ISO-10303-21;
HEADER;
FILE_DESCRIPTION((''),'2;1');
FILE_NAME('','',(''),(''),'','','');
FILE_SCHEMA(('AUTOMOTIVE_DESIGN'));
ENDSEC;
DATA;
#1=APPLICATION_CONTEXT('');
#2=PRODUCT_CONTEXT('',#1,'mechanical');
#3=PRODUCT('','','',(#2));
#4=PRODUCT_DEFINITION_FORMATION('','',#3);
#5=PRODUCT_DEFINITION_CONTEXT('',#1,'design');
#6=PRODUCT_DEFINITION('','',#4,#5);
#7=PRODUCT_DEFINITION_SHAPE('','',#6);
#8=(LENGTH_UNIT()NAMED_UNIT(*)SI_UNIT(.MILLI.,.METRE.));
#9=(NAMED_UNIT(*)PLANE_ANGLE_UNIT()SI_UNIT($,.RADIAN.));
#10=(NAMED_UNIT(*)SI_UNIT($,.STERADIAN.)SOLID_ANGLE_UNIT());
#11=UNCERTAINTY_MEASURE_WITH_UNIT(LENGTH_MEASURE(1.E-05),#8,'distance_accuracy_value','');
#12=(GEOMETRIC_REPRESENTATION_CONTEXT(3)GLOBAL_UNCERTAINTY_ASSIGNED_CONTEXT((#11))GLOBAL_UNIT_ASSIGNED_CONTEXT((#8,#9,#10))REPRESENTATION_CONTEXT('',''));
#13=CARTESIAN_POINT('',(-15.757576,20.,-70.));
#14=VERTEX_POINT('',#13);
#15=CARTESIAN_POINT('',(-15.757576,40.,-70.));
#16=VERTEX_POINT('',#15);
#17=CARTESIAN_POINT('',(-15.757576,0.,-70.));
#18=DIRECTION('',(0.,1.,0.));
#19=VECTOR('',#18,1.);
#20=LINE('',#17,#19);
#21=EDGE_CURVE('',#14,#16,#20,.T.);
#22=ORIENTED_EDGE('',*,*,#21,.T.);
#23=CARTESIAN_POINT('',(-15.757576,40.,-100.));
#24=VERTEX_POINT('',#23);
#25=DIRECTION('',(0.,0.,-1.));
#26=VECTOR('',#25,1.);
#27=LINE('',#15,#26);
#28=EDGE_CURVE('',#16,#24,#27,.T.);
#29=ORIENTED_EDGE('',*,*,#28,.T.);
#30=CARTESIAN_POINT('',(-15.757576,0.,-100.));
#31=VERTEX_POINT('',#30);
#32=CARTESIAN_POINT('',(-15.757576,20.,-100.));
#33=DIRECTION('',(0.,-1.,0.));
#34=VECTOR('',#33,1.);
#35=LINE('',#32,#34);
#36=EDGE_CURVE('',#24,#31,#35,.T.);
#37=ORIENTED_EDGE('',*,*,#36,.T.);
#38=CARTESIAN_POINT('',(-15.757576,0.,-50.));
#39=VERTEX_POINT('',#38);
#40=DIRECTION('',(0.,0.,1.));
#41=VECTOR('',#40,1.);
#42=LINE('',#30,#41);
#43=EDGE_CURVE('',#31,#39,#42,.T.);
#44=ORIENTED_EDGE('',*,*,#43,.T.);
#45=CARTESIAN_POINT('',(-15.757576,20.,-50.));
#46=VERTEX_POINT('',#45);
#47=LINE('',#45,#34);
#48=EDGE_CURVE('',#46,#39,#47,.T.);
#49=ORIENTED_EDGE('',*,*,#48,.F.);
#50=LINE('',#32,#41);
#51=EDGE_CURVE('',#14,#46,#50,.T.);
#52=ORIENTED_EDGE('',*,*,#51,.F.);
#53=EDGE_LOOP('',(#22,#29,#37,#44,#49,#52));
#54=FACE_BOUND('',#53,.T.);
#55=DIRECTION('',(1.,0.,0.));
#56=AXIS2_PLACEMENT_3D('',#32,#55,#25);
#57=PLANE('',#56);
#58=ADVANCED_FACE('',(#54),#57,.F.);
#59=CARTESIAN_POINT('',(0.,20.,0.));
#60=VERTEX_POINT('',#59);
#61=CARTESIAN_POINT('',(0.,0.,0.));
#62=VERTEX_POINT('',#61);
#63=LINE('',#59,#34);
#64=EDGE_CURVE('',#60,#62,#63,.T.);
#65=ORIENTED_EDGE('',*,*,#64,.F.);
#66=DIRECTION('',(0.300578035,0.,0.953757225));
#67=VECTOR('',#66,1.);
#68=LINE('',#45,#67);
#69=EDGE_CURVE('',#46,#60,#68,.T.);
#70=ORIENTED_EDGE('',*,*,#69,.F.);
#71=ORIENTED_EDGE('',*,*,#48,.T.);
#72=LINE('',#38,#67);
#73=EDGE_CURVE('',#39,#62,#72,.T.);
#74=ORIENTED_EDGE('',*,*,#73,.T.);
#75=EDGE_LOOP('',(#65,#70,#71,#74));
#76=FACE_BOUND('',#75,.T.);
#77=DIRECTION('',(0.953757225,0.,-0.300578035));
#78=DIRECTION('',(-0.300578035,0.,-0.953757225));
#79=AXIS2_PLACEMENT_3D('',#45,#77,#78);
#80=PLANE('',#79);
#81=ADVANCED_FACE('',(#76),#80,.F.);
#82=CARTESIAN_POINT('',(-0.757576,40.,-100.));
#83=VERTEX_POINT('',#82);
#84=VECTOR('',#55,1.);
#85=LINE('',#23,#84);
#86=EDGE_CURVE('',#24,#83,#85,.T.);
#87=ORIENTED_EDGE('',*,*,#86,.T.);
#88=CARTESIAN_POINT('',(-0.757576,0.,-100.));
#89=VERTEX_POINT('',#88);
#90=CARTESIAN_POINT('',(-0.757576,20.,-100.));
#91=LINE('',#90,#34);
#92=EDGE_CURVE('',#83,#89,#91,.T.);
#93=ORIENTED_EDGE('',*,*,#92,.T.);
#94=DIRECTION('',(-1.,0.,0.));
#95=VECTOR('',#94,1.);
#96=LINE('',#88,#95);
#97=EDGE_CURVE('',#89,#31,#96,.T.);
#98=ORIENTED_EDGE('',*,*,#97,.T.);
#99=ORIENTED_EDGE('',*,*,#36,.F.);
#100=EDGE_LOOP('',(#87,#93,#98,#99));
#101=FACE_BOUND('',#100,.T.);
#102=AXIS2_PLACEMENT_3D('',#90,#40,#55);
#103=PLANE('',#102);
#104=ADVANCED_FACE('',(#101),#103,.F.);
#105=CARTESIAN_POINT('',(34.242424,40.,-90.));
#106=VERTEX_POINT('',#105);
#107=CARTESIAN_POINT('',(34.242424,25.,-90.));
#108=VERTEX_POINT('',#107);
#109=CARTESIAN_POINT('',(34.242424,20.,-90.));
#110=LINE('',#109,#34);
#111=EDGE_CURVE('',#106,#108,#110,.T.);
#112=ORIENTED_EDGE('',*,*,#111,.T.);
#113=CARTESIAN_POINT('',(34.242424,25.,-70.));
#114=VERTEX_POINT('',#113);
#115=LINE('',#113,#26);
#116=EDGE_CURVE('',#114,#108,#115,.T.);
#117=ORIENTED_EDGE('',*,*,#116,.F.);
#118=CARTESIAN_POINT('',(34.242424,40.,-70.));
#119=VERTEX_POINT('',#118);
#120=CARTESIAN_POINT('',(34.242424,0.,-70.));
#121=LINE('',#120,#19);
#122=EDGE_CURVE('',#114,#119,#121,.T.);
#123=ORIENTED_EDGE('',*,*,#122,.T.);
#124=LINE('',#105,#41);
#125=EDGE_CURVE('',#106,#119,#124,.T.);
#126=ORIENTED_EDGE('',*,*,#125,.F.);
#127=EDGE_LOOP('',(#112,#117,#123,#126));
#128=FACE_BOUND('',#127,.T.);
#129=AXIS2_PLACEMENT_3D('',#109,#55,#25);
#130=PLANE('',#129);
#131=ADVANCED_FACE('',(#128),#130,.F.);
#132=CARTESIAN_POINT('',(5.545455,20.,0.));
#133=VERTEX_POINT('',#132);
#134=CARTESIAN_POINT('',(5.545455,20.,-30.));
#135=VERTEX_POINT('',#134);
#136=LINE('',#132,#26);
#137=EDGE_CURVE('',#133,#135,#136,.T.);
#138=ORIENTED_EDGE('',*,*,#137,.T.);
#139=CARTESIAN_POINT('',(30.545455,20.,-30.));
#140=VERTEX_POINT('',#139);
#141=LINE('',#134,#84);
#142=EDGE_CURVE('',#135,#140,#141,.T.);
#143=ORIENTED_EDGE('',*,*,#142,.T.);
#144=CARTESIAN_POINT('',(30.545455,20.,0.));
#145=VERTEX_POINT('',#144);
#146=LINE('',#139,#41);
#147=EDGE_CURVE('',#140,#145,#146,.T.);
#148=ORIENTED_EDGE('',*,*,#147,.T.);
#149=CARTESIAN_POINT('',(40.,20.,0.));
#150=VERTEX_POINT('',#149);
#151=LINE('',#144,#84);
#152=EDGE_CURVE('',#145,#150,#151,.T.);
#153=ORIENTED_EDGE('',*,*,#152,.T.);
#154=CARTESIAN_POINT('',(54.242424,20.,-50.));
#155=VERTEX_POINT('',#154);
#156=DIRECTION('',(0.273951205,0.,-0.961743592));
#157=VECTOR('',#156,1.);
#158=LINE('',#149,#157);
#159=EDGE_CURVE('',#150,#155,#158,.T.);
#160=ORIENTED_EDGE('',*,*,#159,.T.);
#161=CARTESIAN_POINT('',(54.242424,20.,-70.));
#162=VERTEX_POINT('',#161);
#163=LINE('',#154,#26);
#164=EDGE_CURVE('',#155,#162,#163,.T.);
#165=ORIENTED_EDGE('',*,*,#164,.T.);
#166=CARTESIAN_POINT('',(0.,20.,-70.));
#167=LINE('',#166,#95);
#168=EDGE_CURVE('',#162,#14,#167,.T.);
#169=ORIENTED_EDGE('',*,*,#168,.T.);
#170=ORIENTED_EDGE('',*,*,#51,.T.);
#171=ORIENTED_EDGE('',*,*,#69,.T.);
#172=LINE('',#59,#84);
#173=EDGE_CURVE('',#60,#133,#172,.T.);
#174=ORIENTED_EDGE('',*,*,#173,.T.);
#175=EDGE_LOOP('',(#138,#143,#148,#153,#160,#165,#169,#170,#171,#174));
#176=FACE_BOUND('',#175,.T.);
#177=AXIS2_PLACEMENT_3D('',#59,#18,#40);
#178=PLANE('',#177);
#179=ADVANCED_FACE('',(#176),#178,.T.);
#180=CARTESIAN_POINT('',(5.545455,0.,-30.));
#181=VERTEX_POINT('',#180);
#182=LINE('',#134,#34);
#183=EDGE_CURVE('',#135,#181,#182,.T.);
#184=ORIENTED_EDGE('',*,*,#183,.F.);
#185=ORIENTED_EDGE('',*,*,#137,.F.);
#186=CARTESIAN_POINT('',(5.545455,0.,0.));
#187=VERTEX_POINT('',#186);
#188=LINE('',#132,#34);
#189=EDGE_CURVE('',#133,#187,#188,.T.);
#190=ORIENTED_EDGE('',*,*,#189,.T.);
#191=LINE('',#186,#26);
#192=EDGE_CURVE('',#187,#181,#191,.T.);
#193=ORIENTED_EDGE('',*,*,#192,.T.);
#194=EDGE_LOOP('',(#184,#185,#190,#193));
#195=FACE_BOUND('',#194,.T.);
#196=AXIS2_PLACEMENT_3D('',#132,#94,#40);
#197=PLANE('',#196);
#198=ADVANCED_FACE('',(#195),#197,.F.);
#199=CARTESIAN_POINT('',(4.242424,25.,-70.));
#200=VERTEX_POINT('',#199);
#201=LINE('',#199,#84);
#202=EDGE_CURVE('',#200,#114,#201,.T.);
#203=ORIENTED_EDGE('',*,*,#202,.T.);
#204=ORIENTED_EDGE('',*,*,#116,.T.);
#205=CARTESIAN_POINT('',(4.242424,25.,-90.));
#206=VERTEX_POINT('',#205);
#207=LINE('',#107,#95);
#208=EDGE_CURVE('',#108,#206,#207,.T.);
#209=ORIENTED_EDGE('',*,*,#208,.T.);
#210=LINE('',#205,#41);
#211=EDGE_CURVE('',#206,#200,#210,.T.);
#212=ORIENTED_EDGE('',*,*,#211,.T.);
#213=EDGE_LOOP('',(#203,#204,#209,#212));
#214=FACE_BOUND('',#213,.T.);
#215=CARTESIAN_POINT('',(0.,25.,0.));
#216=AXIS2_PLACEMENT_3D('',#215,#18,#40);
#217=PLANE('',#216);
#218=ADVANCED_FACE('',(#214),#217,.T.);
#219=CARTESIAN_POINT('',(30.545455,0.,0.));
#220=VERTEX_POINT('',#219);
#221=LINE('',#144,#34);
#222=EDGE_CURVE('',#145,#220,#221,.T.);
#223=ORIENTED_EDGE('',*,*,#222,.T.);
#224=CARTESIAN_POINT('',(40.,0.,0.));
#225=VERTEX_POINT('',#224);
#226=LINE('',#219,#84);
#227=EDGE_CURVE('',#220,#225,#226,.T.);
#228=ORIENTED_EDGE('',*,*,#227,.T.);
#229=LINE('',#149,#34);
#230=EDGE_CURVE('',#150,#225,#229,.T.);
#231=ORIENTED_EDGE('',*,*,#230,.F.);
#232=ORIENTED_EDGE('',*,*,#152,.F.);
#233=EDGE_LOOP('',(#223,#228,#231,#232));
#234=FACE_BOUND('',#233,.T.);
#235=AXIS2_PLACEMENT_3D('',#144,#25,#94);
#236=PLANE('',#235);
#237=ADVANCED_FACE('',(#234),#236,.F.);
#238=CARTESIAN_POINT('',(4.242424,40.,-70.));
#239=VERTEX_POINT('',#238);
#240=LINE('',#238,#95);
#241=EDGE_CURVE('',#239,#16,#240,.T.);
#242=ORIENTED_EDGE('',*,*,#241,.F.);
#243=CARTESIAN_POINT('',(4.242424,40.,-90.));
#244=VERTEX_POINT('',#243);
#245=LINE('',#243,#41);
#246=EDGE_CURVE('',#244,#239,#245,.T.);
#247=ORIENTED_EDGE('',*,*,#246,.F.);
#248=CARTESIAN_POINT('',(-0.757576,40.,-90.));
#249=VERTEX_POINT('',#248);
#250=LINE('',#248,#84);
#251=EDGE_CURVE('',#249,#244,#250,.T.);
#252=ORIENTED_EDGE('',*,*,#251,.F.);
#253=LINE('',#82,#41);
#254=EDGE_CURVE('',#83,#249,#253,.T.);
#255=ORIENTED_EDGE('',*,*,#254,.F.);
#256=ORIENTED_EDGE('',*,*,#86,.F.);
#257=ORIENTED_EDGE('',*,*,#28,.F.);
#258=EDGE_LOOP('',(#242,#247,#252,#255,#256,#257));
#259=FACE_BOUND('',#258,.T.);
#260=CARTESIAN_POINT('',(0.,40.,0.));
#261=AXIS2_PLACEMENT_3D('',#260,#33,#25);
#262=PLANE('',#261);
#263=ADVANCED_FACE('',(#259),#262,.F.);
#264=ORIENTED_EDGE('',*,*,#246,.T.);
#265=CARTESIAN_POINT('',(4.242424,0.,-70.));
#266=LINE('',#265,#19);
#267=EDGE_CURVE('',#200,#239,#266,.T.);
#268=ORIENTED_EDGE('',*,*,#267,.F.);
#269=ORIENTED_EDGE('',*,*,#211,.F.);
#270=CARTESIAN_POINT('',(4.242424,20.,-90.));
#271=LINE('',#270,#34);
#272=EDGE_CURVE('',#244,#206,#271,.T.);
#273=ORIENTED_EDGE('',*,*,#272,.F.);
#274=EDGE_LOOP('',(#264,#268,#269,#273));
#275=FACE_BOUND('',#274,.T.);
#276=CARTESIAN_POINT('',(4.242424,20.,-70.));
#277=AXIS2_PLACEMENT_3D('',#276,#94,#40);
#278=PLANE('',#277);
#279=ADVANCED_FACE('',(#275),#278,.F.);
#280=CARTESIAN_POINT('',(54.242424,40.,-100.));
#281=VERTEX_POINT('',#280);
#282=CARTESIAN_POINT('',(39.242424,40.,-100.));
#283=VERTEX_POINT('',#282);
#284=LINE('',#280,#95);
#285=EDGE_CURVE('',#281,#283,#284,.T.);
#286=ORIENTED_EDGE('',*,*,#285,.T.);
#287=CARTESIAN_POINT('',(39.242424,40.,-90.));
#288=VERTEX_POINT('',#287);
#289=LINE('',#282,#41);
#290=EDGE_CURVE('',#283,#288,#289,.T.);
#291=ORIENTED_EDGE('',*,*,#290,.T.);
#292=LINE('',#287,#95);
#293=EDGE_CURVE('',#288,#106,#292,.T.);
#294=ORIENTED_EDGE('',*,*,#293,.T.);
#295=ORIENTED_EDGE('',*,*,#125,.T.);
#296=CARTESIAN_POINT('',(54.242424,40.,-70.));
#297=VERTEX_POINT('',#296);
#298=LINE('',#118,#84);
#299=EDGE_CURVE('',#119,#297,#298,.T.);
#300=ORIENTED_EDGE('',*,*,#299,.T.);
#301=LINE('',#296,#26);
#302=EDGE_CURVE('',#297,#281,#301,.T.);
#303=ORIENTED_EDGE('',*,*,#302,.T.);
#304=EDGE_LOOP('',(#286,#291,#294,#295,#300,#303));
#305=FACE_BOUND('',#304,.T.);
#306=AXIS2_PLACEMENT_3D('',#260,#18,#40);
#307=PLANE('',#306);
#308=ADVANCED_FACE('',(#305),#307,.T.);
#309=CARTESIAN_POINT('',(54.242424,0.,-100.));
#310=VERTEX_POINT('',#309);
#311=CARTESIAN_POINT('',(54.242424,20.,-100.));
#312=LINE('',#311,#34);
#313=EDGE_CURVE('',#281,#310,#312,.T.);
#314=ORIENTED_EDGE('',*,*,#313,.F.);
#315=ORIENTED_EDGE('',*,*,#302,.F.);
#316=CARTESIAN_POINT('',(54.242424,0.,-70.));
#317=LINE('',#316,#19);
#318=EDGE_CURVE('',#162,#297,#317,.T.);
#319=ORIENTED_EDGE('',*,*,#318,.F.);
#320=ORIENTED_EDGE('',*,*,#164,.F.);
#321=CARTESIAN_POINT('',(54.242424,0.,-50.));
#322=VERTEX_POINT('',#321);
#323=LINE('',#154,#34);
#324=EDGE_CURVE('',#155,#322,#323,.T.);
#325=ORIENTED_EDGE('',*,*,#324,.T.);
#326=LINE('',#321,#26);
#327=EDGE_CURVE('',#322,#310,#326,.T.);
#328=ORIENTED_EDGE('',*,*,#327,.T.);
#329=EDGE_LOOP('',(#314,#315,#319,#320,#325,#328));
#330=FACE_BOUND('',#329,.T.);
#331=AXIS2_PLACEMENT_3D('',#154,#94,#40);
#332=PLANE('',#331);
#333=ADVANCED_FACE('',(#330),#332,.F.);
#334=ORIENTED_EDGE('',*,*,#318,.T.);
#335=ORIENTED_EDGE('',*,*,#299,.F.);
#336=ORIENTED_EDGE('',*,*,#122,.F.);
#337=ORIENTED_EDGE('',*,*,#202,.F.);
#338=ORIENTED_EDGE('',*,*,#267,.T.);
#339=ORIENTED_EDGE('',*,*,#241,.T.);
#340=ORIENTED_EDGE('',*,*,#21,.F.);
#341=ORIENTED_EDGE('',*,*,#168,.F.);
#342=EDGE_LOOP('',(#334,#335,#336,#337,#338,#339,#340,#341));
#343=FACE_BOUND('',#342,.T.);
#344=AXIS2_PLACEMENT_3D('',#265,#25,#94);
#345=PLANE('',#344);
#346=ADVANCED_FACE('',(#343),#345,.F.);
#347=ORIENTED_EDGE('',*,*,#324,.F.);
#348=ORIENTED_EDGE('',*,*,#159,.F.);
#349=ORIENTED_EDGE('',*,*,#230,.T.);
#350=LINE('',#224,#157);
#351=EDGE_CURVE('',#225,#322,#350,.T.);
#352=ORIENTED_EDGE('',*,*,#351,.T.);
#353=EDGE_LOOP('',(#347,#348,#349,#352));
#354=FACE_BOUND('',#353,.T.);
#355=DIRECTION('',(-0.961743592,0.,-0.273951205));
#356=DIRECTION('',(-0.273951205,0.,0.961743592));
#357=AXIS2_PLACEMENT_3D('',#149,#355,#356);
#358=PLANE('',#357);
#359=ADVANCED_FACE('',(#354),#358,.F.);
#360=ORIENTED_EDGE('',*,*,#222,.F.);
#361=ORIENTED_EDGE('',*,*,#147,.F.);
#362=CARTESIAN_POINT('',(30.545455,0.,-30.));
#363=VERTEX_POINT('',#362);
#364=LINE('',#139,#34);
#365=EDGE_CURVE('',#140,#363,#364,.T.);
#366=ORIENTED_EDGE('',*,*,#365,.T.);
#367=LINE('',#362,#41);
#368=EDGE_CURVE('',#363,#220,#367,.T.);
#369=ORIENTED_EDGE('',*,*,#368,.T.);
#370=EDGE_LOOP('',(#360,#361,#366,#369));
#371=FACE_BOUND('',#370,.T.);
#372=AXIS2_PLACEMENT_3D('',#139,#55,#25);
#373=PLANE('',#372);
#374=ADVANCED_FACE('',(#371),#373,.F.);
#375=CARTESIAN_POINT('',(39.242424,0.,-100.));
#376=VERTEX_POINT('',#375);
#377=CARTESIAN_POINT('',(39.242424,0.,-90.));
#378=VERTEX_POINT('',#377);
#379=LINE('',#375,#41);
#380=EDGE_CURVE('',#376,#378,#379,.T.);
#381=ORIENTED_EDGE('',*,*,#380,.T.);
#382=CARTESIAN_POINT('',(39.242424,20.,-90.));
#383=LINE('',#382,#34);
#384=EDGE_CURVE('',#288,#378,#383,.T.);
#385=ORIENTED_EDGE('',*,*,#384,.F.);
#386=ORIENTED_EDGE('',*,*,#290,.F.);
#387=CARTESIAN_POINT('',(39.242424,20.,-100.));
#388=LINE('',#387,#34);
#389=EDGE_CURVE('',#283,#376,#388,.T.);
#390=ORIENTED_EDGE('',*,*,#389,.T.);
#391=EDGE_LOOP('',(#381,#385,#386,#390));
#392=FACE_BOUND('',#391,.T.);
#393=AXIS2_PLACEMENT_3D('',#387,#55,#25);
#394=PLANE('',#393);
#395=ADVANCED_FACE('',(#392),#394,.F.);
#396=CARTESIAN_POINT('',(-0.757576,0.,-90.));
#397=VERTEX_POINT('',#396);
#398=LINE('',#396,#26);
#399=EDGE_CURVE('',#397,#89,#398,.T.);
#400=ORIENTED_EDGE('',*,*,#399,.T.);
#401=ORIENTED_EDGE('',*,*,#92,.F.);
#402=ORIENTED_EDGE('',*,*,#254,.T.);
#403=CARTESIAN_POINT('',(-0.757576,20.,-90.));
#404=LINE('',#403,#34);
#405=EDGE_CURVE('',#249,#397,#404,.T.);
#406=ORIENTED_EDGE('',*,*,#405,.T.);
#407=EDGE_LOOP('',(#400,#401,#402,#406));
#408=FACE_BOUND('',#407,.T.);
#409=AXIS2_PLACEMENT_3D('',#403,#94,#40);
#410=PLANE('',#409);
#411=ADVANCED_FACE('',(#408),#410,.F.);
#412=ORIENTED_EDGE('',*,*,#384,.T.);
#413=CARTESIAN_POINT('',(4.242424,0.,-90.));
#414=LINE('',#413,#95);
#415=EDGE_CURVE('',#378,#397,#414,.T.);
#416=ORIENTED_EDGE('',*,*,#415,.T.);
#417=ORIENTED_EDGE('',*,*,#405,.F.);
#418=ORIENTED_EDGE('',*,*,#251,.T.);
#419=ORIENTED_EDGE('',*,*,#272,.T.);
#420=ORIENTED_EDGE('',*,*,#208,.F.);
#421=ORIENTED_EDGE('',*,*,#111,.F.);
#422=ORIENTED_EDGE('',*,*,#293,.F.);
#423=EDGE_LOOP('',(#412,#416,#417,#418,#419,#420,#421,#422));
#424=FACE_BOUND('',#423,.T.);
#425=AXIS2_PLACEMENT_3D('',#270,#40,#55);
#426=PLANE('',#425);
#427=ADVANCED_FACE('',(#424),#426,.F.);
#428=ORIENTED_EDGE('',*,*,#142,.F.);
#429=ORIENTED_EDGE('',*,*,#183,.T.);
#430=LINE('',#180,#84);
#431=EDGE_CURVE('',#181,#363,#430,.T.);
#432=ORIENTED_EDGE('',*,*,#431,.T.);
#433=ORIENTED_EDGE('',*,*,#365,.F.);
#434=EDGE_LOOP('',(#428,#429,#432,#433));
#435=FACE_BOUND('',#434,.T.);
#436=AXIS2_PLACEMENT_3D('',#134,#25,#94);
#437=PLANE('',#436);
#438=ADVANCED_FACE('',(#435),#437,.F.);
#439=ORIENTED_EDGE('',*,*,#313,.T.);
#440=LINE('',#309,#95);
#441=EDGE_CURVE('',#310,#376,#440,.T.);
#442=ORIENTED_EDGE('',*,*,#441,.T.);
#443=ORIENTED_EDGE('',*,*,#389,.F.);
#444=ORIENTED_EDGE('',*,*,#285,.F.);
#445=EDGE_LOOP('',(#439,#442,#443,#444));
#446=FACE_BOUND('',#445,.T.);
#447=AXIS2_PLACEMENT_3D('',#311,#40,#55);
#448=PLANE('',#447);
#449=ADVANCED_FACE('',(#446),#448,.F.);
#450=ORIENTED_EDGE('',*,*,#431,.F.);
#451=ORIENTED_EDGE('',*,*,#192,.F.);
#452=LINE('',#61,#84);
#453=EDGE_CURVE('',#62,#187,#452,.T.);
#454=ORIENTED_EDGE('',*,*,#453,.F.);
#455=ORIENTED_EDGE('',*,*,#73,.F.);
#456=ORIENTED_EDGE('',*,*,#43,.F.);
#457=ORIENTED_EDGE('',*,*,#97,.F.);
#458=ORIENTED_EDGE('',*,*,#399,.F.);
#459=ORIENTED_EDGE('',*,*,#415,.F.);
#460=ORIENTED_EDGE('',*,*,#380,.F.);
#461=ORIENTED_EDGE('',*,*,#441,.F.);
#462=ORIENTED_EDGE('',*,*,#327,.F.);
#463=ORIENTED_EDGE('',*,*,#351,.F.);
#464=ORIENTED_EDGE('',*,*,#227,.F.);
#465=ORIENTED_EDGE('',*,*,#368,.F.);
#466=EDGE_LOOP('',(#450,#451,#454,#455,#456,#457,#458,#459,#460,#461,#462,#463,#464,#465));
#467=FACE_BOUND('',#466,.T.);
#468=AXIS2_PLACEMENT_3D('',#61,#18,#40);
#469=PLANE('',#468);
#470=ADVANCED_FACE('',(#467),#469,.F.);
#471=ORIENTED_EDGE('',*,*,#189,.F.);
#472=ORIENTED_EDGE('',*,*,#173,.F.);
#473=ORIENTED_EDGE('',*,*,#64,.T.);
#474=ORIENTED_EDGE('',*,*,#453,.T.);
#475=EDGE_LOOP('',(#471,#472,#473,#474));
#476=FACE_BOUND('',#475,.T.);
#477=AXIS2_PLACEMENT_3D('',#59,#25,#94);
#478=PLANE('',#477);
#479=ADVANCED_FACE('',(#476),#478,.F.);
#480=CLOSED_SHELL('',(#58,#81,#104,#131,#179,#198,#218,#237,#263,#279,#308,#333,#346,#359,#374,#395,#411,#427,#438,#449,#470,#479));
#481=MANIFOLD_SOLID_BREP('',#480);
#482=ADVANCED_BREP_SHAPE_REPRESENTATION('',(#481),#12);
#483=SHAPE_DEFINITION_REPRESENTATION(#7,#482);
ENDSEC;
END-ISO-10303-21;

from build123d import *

# Parameters (mm, degrees)
BOSS_EXTRUDE1_DEPTH      = 20
BOSS_EXTRUDE7_DEPTH      = 20
BOSS_EXTRUDE7_DEPTH_BACK = 20
SKETCH5_W                = 30
SKETCH5_H                = 20
BOSS_EXTRUDE12_DEPTH     = 20
SKETCH6_W                = 30
SKETCH6_H                = 20
BOSS_EXTRUDE13_DEPTH     = 5


with BuildPart() as part:
    # Sketch1 → Boss-Extrude1 (new body)
    with BuildSketch(Plane(origin=(0, 0, 0), x_dir=(1, 0, 0), z_dir=(0, 1, 0))):
        Polygon((0, 0), (5.545454545, 0), (5.545454545, 30), (30.545454545, 30), (30.545454545, 0), (40, 0), (54.242424242, 50), (54.242424242, 100), (39.242424242, 100), (39.242424242, 90), (34.242424242, 90), (34.242424242, 70), (4.242424242, 70), (4.242424242, 90), (-0.757575758, 90), (-0.757575758, 100), (-15.757575758, 100), (-15.757575758, 50), align=None)
    extrude(amount=BOSS_EXTRUDE1_DEPTH)

    # Sketch2 → Boss-Extrude7 (add, two sides: drawn at the far end of the back side and taken through both)
    with BuildSketch(Plane(origin=(0, 20, 0), x_dir=(1, 0, 0), z_dir=(0, 1, 0)).offset(-BOSS_EXTRUDE7_DEPTH_BACK)):
        Polygon((-15.757575758, 100), (-0.757575758, 100), (-0.757575758, 90), (4.242424242, 90), (4.242424242, 70), (-15.757575758, 70), align=None)
        Polygon((54.242424242, 100), (39.242424242, 100), (39.242424242, 90), (34.242424242, 90), (34.242424242, 70), (54.242424242, 70), align=None)
    extrude(amount=BOSS_EXTRUDE7_DEPTH + BOSS_EXTRUDE7_DEPTH_BACK)

    # Sketch5 → Boss-Extrude12 (add)
    with BuildSketch(Plane(origin=(0, 20, 0), x_dir=(1, 0, 0), z_dir=(0, 1, 0))):
        with Locations((19.242424242, 80)):
            Rectangle(SKETCH5_W, SKETCH5_H)
    extrude(amount=-BOSS_EXTRUDE12_DEPTH)

    # Sketch6 → Boss-Extrude13 (add)
    with BuildSketch(Plane(origin=(0, 20, 0), x_dir=(1, 0, 0), z_dir=(0, 1, 0))):
        with Locations((19.242424242, 80)):
            Rectangle(SKETCH6_W, SKETCH6_H)
    extrude(amount=BOSS_EXTRUDE13_DEPTH)


solid = part.part
